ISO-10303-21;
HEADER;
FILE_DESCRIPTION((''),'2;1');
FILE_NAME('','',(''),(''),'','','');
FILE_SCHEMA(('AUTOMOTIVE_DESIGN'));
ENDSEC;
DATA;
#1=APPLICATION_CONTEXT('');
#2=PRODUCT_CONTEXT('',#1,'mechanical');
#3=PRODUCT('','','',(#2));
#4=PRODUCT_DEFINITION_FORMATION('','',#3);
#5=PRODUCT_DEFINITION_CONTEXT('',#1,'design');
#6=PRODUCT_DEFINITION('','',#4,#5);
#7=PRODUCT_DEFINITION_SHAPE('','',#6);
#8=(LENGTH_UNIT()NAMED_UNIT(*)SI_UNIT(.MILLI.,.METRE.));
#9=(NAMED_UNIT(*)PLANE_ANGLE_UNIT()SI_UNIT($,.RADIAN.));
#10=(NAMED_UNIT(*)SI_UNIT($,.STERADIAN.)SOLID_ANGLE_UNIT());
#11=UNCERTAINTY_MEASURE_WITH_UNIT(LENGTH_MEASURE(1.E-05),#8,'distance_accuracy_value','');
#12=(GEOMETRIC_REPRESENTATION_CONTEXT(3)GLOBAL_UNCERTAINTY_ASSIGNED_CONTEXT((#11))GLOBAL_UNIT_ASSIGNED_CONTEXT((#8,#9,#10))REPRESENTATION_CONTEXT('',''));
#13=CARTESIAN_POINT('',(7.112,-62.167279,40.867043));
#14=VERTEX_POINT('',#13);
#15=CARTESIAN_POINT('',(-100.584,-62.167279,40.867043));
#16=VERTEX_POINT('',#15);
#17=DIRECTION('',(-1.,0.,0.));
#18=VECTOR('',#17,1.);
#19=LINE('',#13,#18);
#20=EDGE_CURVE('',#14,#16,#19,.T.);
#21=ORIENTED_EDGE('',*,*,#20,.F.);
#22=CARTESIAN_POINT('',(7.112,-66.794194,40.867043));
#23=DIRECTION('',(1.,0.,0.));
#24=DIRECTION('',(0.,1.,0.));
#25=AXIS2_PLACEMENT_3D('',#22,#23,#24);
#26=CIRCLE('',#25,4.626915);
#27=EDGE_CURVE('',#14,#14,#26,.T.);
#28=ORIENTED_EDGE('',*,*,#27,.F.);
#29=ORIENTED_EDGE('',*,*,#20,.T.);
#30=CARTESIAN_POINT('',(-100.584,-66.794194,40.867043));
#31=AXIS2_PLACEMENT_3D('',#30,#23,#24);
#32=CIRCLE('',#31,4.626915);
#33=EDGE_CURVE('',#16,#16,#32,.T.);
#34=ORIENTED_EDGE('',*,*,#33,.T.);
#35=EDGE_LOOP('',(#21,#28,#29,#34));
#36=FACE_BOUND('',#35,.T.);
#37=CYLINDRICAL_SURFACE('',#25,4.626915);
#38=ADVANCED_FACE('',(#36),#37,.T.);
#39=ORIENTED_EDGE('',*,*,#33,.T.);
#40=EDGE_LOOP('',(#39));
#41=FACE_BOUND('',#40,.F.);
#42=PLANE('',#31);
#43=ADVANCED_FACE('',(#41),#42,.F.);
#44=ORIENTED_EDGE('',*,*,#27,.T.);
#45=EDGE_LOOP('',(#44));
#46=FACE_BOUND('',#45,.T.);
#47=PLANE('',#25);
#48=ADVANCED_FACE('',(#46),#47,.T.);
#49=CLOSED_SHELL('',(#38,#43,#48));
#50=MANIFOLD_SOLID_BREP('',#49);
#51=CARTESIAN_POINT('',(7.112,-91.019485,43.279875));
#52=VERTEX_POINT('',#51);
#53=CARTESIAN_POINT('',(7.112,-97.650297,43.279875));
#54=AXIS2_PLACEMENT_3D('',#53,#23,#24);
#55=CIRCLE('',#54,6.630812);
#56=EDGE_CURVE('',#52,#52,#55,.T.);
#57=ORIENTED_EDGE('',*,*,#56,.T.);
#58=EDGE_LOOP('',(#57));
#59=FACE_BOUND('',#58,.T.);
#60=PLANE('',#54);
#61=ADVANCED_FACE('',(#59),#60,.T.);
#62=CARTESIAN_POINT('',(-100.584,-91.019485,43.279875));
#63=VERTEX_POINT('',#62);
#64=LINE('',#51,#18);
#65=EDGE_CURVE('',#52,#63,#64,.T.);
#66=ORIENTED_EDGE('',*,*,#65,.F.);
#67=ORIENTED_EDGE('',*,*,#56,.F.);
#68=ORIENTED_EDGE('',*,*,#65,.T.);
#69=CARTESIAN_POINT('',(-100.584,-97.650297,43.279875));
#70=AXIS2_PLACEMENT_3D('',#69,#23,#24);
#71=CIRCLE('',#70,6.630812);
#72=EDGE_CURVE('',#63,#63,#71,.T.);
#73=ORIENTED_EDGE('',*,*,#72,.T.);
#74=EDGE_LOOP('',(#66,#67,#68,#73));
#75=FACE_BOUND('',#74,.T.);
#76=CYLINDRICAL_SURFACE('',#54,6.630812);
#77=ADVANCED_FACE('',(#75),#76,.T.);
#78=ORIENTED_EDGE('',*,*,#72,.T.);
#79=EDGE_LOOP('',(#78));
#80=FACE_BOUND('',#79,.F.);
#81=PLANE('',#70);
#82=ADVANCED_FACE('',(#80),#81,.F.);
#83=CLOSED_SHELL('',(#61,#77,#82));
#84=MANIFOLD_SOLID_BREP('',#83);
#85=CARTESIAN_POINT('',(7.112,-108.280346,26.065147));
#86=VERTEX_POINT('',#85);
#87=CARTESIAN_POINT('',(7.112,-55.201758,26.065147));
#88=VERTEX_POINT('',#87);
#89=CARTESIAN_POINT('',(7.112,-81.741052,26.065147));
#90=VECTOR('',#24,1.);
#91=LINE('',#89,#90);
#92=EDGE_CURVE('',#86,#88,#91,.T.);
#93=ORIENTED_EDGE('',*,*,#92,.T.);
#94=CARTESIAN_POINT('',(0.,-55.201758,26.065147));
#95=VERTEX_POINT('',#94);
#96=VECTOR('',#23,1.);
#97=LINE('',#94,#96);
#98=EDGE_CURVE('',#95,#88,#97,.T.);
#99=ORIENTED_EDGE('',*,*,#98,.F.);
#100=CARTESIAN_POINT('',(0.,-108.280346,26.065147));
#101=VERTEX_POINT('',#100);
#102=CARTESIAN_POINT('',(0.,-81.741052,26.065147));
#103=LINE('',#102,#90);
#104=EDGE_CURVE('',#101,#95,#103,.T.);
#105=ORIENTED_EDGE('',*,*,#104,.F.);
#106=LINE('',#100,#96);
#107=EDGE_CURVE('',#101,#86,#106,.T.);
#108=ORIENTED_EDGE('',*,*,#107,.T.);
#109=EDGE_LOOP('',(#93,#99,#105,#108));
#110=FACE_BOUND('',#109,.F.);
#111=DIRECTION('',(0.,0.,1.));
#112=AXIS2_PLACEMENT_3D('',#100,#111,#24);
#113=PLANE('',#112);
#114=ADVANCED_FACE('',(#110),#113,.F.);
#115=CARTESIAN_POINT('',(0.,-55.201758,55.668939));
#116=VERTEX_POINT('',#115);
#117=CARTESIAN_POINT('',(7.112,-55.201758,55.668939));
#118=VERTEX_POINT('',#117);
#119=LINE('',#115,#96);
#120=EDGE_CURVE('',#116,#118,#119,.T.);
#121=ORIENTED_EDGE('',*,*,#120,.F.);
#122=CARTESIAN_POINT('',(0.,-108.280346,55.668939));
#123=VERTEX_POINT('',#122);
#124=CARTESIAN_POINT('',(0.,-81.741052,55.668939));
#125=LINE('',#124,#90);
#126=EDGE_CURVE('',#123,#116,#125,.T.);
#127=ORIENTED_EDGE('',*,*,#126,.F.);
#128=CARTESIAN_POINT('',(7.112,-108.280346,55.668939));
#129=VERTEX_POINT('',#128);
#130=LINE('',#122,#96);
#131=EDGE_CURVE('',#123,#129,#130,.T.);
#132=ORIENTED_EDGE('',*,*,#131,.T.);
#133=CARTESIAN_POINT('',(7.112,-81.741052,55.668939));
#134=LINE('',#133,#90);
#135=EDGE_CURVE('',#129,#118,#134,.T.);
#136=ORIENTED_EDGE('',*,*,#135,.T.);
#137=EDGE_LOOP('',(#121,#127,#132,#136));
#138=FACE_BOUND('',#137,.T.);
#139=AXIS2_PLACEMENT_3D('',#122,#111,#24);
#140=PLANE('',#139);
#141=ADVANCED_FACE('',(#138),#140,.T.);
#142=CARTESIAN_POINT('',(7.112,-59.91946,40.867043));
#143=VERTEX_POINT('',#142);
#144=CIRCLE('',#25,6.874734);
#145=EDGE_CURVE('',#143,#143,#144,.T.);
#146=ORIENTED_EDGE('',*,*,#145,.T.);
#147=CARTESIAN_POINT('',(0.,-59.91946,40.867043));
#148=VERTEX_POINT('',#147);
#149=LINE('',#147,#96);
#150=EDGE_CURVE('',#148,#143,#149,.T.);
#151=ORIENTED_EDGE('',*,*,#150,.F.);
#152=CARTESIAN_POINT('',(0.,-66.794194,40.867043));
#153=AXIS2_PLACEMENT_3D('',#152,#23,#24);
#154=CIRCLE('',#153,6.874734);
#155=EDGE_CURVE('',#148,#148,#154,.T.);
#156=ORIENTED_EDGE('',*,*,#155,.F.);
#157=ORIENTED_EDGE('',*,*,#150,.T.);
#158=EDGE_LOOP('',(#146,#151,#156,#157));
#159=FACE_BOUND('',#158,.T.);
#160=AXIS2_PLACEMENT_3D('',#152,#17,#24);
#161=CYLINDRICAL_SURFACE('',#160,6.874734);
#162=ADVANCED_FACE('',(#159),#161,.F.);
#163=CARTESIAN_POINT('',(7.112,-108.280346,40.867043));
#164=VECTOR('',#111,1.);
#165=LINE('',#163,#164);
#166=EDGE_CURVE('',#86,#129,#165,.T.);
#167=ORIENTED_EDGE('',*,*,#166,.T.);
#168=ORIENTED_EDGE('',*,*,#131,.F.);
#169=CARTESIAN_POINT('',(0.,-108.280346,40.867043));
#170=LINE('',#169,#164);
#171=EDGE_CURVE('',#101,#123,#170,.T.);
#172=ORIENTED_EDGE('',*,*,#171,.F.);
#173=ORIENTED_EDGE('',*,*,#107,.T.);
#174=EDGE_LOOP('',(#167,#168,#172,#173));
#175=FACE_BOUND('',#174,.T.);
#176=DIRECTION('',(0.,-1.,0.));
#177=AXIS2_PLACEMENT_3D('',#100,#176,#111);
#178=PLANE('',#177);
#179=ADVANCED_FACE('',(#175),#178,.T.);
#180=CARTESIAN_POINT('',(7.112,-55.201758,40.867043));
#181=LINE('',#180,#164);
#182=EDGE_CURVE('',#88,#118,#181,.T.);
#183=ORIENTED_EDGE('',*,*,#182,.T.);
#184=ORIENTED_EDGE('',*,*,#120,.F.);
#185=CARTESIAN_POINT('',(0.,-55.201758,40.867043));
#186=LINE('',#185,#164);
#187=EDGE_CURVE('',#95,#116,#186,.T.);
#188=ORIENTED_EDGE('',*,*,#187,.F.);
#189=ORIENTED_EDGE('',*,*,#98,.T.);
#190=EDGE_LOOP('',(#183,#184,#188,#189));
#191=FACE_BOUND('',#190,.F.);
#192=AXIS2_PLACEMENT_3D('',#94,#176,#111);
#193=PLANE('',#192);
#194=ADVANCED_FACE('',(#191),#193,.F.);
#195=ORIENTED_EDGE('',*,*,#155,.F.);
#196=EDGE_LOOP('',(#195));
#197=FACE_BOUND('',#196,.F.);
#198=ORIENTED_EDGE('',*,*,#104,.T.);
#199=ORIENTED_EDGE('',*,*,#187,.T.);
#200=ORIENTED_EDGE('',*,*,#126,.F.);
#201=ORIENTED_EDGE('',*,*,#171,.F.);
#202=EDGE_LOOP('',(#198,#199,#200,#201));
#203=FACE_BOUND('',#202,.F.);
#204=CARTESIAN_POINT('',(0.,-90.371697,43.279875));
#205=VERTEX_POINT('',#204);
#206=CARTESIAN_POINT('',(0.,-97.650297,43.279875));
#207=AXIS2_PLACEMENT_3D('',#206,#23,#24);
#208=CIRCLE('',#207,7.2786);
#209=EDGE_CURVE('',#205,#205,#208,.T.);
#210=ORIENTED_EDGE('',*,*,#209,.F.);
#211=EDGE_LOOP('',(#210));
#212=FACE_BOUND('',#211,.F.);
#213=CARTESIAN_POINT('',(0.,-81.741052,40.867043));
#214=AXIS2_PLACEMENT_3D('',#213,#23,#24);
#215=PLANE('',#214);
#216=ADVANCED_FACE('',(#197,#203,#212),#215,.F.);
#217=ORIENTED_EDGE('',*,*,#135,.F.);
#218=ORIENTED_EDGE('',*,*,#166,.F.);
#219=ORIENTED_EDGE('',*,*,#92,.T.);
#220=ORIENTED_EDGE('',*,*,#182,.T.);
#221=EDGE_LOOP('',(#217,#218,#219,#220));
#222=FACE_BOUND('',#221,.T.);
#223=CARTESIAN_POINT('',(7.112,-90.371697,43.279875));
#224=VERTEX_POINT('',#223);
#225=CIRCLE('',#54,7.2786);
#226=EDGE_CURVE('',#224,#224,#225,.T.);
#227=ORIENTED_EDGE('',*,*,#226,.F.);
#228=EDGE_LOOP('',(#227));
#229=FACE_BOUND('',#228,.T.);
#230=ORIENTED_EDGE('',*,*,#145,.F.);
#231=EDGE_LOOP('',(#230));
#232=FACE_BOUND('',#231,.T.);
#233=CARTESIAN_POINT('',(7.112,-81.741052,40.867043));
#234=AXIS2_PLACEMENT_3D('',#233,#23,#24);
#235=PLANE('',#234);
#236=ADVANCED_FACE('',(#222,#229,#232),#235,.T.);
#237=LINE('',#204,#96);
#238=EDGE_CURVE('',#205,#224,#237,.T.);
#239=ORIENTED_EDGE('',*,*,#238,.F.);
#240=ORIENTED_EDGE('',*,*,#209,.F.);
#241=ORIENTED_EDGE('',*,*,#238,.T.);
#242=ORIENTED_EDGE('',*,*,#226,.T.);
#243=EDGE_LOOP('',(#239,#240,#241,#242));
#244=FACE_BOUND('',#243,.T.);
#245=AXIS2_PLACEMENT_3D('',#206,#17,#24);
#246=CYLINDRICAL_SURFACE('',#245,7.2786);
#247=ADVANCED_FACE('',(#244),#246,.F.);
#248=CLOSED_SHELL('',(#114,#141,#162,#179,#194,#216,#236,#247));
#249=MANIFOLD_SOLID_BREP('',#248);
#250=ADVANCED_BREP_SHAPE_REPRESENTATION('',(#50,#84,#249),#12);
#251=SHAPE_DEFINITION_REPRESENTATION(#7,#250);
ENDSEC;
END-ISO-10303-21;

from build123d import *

# Parameters (mm, degrees)
F0_W     = 53.078588
F0_H     = 29.603792
F0_R     = 7.2786
F0_R_2   = 6.874734
F1_DEPTH = 7.112
F2_R     = 6.630812
F2_R_2   = 4.626915
F3_DEPTH = 107.696


with BuildPart() as f1:
    # F0 (on Right) → F1 (new body)
    with BuildSketch(Plane.YZ):
        with Locations((-81.741052, 40.867043)):
            Rectangle(F0_W, F0_H)
        with Locations((-97.650297, 43.279875)):
            Circle(F0_R, mode=Mode.SUBTRACT)
        with Locations((-66.794194, 40.867043)):
            Circle(F0_R_2, mode=Mode.SUBTRACT)
    extrude(amount=F1_DEPTH)


with BuildPart() as f3:
    # F2 (on face) → F3 (new body)
    with BuildSketch(Plane.YZ.offset(7.112)):
        with Locations((-97.650297, 43.279875)):
            Circle(F2_R)
        with Locations((-66.794194, 40.867043)):
            Circle(F2_R_2)
    extrude(amount=-F3_DEPTH)


solid = Compound([f1.part, f3.part])
